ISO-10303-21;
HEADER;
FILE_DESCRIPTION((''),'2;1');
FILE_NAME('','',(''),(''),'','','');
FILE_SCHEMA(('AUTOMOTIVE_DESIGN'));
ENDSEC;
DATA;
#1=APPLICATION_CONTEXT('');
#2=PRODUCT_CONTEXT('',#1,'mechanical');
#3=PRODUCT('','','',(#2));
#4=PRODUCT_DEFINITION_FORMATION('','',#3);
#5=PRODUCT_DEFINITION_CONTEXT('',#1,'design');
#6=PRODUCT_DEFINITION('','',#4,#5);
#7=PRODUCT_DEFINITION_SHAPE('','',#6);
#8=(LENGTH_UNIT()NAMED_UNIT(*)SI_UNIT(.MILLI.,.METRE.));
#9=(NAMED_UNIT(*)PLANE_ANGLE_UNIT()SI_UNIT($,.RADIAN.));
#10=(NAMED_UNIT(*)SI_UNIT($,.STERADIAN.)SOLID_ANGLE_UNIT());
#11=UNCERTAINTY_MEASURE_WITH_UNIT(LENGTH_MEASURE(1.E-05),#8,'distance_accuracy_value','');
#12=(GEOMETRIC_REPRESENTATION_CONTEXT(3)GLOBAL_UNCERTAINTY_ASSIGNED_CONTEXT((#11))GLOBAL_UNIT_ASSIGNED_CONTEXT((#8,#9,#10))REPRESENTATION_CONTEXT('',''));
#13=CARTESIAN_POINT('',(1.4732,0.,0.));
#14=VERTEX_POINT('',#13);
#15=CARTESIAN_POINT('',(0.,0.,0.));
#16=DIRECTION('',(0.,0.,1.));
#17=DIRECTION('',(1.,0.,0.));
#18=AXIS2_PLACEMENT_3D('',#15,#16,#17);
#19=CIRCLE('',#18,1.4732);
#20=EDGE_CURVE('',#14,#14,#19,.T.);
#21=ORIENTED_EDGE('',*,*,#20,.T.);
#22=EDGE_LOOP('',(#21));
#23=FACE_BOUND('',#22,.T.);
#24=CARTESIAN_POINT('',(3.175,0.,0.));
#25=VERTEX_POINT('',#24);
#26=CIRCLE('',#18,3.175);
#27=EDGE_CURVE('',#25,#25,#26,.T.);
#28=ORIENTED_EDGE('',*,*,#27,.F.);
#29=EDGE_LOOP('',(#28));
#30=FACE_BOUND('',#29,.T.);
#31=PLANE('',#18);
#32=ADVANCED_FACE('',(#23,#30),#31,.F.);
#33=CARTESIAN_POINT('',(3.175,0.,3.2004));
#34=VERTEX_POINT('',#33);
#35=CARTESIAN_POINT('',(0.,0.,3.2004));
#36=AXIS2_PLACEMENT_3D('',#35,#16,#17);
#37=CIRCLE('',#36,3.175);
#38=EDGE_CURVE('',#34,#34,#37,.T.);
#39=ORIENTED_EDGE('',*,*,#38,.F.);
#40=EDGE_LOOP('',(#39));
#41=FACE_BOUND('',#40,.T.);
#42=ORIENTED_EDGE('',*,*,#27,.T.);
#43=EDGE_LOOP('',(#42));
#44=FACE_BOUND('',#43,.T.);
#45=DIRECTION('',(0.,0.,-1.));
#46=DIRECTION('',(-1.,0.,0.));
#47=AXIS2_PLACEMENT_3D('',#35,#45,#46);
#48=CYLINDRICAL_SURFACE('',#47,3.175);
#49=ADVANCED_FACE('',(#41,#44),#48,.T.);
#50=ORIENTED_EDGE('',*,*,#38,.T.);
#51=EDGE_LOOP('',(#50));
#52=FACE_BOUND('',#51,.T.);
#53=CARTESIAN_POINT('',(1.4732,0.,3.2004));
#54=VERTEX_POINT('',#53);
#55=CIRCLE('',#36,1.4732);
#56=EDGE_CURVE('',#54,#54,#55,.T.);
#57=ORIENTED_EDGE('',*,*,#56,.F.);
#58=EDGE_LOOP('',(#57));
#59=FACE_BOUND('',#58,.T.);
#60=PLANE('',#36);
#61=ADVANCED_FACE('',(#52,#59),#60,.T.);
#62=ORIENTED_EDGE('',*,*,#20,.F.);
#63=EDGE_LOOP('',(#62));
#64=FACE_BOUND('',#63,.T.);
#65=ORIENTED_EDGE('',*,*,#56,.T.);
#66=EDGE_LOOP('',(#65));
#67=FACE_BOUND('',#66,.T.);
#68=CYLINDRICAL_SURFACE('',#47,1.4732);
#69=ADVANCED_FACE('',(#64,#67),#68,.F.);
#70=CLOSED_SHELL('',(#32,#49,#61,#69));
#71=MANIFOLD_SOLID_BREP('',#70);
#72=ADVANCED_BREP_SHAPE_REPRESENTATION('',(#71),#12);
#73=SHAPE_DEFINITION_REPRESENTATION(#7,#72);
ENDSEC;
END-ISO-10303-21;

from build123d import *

# Parameters (mm, degrees)
SKETCH1_R           = 3.175
SKETCH1_R_2         = 1.4732
BOSS_EXTRUDE1_DEPTH = 3.2004


with BuildPart() as part:
    # Sketch1 → Boss-Extrude1 (new body)
    with BuildSketch(Plane.XY):
        Circle(SKETCH1_R)
        Circle(SKETCH1_R_2, mode=Mode.SUBTRACT)
    extrude(amount=BOSS_EXTRUDE1_DEPTH)


solid = part.part
